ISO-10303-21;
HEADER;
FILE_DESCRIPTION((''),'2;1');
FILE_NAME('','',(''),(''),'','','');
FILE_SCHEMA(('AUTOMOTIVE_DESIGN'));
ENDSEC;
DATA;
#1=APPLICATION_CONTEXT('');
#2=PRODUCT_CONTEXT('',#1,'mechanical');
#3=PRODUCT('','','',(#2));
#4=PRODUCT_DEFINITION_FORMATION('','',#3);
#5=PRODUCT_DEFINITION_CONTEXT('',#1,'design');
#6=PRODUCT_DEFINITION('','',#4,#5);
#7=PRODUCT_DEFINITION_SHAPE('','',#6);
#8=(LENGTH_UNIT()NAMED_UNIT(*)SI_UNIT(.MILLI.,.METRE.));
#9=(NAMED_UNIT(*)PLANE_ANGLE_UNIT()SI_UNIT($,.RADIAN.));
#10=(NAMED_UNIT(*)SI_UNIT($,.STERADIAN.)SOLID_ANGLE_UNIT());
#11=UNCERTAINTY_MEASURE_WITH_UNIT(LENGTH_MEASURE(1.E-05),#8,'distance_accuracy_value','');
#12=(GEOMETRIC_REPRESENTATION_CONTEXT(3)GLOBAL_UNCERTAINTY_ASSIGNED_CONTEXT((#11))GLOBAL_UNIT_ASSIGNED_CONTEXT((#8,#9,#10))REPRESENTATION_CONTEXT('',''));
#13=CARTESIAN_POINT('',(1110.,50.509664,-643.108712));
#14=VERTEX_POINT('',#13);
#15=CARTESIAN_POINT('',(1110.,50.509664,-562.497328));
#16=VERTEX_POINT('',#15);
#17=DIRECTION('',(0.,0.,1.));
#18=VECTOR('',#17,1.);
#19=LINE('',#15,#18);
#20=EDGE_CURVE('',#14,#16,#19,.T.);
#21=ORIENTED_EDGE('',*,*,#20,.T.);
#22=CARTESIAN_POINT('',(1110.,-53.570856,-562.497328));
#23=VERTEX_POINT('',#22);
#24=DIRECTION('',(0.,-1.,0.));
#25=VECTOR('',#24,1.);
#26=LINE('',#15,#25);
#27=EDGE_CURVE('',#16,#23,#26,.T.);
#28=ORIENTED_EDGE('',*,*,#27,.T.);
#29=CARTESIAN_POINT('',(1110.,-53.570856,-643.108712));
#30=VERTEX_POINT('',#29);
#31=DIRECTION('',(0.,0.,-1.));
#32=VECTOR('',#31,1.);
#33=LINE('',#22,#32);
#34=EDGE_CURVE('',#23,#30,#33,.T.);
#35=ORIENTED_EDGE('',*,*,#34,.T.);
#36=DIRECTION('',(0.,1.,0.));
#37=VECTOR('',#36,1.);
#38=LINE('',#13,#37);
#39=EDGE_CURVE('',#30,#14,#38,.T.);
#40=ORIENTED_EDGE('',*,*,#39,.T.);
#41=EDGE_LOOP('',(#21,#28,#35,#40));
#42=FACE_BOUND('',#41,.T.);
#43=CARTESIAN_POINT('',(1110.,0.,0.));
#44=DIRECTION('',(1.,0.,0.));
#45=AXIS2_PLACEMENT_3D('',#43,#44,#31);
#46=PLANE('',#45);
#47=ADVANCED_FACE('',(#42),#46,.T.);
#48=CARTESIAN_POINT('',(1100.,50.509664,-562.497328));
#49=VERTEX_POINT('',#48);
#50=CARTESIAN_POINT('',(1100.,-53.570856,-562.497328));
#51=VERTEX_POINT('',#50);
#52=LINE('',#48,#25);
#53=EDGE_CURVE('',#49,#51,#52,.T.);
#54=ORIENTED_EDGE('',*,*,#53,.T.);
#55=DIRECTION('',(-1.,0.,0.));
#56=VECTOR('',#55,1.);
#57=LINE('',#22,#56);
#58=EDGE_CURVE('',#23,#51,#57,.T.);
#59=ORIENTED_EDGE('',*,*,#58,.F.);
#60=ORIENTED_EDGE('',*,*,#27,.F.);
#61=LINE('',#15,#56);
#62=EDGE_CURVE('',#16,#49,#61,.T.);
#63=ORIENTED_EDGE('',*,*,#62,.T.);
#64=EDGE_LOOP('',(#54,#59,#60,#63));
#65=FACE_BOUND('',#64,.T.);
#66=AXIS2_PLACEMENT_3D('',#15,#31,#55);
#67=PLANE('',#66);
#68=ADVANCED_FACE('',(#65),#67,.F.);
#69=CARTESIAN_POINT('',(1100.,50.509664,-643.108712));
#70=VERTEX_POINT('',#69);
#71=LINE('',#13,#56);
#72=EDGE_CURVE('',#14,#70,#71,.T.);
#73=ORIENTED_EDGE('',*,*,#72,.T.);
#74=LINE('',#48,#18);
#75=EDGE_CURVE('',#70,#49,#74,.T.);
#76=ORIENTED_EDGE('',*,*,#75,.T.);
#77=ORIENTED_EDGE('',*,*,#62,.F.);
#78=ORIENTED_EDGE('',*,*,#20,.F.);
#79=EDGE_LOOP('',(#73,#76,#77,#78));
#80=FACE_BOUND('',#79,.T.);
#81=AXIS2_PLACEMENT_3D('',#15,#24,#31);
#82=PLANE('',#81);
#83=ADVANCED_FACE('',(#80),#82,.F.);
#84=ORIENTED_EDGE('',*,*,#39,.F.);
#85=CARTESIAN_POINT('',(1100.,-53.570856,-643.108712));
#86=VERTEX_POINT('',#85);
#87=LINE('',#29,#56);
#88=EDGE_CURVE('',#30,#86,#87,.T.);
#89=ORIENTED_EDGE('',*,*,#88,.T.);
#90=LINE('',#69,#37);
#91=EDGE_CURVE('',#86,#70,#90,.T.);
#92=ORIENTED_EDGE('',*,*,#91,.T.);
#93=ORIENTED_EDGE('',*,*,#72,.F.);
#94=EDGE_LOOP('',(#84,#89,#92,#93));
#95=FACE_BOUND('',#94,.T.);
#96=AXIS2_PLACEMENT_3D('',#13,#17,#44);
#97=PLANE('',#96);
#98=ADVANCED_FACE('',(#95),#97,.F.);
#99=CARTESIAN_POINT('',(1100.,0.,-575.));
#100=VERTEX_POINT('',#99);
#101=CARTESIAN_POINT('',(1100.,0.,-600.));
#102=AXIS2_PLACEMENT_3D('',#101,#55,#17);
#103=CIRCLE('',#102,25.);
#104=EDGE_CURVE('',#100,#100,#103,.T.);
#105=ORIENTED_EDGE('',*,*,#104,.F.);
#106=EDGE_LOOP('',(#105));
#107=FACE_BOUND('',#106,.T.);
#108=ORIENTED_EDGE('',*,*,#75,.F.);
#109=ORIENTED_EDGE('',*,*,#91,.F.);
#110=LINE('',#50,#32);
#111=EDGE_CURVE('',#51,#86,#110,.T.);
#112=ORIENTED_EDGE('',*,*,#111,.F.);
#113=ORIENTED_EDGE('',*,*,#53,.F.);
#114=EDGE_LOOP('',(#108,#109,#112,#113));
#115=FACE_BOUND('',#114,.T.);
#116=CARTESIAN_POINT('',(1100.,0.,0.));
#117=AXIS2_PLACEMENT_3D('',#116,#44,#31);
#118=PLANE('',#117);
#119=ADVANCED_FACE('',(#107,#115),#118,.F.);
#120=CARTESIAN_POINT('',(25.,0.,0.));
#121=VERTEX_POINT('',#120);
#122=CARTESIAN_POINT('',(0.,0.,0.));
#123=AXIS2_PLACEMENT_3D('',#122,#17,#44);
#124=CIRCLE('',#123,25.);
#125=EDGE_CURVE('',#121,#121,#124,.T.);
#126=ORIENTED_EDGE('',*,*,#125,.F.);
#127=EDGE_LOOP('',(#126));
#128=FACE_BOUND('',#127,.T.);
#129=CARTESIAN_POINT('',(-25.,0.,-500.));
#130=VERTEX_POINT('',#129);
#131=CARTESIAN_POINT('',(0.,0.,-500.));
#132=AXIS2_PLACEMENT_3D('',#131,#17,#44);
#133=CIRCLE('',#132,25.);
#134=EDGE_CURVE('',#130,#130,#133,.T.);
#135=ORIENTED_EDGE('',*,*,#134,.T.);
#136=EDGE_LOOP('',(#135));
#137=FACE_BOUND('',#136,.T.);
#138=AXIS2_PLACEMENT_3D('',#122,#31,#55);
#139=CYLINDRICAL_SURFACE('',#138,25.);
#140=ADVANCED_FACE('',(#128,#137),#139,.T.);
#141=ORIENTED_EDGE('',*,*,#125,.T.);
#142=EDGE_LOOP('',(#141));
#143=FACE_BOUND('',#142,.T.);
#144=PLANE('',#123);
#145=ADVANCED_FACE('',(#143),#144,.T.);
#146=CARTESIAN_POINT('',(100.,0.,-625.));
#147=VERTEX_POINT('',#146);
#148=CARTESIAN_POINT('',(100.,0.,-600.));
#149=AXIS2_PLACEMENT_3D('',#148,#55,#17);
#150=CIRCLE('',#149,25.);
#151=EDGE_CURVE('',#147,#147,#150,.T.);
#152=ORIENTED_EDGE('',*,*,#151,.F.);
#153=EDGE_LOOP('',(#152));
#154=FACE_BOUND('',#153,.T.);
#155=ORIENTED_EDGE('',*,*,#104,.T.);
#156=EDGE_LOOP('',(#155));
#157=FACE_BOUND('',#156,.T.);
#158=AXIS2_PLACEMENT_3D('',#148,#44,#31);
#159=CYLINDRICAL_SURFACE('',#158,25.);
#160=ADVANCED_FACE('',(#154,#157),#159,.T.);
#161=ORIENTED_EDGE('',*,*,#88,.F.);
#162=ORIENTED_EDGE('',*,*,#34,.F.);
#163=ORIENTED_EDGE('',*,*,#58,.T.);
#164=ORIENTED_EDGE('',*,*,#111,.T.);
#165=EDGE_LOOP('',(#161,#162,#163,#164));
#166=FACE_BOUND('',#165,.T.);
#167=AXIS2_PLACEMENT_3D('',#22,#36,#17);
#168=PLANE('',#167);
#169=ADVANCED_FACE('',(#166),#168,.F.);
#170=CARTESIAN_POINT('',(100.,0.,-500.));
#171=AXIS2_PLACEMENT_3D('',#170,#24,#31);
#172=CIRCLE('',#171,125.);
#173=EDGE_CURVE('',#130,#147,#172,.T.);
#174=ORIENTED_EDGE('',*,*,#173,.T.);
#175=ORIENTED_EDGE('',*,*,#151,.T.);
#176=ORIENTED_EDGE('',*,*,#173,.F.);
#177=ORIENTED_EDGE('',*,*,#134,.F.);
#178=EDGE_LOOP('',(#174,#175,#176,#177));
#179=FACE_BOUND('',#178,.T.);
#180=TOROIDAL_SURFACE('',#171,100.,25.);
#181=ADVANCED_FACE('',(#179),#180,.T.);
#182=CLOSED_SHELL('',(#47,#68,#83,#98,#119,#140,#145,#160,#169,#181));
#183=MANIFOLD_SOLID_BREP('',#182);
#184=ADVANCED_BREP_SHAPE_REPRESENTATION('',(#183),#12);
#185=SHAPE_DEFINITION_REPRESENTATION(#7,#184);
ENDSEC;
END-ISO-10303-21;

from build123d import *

# Parameters (mm, degrees)
SKETCH1_R           = 25
SKETCH4_W           = 80.61138344
SKETCH4_H           = 104.08052039
BOSS_EXTRUDE1_DEPTH = 10


with BuildPart() as part:
    # Sweep1: sweep along a path in Sketch3
    with BuildLine(Plane(origin=(0, 0, 0), x_dir=(1, 0, 0), z_dir=(0, 1, 0))) as sweep1_path:
        Line((0, 0), (0, 500))
        ThreePointArc((0, 500), (29.289321881, 570.710678119), (100, 600))
        Line((100, 600), (1100, 600))
    # Sketch1 → Sweep1 (sweep)
    with BuildSketch(Plane.XY):
        Circle(SKETCH1_R)
    sweep(path=sweep1_path.line)

    # Sketch4 → Boss-Extrude1 (add)
    with BuildSketch(Plane(origin=(1100, 0, 0), x_dir=(0, 0, -1), z_dir=(1, 0, 0))):
        with Locations((602.803020109, -1.530595888)):
            Rectangle(SKETCH4_W, SKETCH4_H)
    extrude(amount=BOSS_EXTRUDE1_DEPTH)


solid = part.part
